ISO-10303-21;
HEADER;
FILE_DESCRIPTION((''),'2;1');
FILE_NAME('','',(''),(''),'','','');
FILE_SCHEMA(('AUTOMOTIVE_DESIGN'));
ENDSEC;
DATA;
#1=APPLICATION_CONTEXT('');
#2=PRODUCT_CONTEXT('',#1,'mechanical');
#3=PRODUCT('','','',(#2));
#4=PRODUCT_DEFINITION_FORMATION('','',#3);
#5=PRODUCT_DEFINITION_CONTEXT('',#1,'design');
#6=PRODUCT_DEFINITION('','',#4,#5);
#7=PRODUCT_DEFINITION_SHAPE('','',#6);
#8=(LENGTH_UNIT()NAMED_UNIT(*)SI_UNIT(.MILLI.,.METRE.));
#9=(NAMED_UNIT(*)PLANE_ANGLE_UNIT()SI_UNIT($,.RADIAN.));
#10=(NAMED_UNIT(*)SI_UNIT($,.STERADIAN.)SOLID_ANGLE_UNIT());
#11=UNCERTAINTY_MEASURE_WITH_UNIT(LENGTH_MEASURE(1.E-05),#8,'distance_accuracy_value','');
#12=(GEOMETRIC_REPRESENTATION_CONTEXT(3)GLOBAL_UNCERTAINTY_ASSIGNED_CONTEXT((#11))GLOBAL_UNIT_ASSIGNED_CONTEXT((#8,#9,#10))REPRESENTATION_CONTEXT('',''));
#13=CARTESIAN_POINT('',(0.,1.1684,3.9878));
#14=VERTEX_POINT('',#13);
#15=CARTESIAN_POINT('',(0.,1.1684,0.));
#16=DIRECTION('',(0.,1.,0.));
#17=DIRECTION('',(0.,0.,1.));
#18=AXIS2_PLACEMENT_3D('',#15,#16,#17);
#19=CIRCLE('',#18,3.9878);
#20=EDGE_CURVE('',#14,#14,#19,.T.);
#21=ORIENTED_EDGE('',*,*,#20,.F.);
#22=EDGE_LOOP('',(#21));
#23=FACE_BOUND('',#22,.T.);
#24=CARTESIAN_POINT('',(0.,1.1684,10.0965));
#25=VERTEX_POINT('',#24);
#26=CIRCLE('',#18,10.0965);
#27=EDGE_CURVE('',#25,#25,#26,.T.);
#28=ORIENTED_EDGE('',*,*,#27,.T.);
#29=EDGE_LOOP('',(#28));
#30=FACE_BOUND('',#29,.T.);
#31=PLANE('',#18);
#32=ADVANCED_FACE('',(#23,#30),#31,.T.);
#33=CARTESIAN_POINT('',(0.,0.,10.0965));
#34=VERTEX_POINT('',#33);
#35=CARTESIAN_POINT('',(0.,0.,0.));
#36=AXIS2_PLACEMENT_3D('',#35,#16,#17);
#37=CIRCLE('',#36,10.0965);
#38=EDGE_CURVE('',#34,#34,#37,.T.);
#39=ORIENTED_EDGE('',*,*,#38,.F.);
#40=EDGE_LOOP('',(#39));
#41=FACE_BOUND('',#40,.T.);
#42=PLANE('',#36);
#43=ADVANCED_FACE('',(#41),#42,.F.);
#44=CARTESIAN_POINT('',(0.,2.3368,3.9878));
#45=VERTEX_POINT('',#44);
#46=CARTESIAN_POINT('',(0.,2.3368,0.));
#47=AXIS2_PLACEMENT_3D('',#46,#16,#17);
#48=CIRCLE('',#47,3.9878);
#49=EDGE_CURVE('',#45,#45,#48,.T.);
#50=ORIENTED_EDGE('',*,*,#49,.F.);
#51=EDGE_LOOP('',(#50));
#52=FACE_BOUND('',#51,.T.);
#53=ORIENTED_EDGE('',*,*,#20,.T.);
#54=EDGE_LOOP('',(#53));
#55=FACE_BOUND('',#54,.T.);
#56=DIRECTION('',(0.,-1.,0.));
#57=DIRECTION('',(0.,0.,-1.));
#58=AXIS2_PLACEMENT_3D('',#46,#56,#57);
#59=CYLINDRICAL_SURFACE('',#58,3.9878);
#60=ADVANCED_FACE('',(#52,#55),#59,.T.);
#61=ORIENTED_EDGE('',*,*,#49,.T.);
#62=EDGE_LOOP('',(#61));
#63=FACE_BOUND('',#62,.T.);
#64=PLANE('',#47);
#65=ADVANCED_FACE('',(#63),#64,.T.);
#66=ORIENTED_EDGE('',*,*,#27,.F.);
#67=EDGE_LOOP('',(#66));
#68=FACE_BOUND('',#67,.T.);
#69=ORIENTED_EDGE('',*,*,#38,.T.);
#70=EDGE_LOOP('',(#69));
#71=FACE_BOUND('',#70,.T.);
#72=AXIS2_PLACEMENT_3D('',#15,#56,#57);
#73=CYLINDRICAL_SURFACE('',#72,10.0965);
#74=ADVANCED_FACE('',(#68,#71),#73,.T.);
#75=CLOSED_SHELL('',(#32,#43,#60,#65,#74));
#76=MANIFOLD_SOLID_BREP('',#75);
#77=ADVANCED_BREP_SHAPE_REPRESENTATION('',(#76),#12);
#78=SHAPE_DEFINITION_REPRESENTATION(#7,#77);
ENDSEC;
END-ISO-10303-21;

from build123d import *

# Parameters (mm, degrees)
SKETCH1_R           = 10.0965
BOSS_EXTRUDE1_DEPTH = 1.1684
SKETCH2_R           = 3.9878
BOSS_EXTRUDE2_DEPTH = 1.1684


with BuildPart() as part:
    # Sketch1 → Boss-Extrude1 (new body)
    with BuildSketch(Plane(origin=(0, 0, 0), x_dir=(1, 0, 0), z_dir=(0, 1, 0))):
        Circle(SKETCH1_R)
    extrude(amount=BOSS_EXTRUDE1_DEPTH)

    # Sketch2 → Boss-Extrude2 (add)
    with BuildSketch(Plane(origin=(0, 1.1684, 0), x_dir=(1, 0, 0), z_dir=(0, 1, 0))):
        Circle(SKETCH2_R)
    extrude(amount=BOSS_EXTRUDE2_DEPTH)


solid = part.part
